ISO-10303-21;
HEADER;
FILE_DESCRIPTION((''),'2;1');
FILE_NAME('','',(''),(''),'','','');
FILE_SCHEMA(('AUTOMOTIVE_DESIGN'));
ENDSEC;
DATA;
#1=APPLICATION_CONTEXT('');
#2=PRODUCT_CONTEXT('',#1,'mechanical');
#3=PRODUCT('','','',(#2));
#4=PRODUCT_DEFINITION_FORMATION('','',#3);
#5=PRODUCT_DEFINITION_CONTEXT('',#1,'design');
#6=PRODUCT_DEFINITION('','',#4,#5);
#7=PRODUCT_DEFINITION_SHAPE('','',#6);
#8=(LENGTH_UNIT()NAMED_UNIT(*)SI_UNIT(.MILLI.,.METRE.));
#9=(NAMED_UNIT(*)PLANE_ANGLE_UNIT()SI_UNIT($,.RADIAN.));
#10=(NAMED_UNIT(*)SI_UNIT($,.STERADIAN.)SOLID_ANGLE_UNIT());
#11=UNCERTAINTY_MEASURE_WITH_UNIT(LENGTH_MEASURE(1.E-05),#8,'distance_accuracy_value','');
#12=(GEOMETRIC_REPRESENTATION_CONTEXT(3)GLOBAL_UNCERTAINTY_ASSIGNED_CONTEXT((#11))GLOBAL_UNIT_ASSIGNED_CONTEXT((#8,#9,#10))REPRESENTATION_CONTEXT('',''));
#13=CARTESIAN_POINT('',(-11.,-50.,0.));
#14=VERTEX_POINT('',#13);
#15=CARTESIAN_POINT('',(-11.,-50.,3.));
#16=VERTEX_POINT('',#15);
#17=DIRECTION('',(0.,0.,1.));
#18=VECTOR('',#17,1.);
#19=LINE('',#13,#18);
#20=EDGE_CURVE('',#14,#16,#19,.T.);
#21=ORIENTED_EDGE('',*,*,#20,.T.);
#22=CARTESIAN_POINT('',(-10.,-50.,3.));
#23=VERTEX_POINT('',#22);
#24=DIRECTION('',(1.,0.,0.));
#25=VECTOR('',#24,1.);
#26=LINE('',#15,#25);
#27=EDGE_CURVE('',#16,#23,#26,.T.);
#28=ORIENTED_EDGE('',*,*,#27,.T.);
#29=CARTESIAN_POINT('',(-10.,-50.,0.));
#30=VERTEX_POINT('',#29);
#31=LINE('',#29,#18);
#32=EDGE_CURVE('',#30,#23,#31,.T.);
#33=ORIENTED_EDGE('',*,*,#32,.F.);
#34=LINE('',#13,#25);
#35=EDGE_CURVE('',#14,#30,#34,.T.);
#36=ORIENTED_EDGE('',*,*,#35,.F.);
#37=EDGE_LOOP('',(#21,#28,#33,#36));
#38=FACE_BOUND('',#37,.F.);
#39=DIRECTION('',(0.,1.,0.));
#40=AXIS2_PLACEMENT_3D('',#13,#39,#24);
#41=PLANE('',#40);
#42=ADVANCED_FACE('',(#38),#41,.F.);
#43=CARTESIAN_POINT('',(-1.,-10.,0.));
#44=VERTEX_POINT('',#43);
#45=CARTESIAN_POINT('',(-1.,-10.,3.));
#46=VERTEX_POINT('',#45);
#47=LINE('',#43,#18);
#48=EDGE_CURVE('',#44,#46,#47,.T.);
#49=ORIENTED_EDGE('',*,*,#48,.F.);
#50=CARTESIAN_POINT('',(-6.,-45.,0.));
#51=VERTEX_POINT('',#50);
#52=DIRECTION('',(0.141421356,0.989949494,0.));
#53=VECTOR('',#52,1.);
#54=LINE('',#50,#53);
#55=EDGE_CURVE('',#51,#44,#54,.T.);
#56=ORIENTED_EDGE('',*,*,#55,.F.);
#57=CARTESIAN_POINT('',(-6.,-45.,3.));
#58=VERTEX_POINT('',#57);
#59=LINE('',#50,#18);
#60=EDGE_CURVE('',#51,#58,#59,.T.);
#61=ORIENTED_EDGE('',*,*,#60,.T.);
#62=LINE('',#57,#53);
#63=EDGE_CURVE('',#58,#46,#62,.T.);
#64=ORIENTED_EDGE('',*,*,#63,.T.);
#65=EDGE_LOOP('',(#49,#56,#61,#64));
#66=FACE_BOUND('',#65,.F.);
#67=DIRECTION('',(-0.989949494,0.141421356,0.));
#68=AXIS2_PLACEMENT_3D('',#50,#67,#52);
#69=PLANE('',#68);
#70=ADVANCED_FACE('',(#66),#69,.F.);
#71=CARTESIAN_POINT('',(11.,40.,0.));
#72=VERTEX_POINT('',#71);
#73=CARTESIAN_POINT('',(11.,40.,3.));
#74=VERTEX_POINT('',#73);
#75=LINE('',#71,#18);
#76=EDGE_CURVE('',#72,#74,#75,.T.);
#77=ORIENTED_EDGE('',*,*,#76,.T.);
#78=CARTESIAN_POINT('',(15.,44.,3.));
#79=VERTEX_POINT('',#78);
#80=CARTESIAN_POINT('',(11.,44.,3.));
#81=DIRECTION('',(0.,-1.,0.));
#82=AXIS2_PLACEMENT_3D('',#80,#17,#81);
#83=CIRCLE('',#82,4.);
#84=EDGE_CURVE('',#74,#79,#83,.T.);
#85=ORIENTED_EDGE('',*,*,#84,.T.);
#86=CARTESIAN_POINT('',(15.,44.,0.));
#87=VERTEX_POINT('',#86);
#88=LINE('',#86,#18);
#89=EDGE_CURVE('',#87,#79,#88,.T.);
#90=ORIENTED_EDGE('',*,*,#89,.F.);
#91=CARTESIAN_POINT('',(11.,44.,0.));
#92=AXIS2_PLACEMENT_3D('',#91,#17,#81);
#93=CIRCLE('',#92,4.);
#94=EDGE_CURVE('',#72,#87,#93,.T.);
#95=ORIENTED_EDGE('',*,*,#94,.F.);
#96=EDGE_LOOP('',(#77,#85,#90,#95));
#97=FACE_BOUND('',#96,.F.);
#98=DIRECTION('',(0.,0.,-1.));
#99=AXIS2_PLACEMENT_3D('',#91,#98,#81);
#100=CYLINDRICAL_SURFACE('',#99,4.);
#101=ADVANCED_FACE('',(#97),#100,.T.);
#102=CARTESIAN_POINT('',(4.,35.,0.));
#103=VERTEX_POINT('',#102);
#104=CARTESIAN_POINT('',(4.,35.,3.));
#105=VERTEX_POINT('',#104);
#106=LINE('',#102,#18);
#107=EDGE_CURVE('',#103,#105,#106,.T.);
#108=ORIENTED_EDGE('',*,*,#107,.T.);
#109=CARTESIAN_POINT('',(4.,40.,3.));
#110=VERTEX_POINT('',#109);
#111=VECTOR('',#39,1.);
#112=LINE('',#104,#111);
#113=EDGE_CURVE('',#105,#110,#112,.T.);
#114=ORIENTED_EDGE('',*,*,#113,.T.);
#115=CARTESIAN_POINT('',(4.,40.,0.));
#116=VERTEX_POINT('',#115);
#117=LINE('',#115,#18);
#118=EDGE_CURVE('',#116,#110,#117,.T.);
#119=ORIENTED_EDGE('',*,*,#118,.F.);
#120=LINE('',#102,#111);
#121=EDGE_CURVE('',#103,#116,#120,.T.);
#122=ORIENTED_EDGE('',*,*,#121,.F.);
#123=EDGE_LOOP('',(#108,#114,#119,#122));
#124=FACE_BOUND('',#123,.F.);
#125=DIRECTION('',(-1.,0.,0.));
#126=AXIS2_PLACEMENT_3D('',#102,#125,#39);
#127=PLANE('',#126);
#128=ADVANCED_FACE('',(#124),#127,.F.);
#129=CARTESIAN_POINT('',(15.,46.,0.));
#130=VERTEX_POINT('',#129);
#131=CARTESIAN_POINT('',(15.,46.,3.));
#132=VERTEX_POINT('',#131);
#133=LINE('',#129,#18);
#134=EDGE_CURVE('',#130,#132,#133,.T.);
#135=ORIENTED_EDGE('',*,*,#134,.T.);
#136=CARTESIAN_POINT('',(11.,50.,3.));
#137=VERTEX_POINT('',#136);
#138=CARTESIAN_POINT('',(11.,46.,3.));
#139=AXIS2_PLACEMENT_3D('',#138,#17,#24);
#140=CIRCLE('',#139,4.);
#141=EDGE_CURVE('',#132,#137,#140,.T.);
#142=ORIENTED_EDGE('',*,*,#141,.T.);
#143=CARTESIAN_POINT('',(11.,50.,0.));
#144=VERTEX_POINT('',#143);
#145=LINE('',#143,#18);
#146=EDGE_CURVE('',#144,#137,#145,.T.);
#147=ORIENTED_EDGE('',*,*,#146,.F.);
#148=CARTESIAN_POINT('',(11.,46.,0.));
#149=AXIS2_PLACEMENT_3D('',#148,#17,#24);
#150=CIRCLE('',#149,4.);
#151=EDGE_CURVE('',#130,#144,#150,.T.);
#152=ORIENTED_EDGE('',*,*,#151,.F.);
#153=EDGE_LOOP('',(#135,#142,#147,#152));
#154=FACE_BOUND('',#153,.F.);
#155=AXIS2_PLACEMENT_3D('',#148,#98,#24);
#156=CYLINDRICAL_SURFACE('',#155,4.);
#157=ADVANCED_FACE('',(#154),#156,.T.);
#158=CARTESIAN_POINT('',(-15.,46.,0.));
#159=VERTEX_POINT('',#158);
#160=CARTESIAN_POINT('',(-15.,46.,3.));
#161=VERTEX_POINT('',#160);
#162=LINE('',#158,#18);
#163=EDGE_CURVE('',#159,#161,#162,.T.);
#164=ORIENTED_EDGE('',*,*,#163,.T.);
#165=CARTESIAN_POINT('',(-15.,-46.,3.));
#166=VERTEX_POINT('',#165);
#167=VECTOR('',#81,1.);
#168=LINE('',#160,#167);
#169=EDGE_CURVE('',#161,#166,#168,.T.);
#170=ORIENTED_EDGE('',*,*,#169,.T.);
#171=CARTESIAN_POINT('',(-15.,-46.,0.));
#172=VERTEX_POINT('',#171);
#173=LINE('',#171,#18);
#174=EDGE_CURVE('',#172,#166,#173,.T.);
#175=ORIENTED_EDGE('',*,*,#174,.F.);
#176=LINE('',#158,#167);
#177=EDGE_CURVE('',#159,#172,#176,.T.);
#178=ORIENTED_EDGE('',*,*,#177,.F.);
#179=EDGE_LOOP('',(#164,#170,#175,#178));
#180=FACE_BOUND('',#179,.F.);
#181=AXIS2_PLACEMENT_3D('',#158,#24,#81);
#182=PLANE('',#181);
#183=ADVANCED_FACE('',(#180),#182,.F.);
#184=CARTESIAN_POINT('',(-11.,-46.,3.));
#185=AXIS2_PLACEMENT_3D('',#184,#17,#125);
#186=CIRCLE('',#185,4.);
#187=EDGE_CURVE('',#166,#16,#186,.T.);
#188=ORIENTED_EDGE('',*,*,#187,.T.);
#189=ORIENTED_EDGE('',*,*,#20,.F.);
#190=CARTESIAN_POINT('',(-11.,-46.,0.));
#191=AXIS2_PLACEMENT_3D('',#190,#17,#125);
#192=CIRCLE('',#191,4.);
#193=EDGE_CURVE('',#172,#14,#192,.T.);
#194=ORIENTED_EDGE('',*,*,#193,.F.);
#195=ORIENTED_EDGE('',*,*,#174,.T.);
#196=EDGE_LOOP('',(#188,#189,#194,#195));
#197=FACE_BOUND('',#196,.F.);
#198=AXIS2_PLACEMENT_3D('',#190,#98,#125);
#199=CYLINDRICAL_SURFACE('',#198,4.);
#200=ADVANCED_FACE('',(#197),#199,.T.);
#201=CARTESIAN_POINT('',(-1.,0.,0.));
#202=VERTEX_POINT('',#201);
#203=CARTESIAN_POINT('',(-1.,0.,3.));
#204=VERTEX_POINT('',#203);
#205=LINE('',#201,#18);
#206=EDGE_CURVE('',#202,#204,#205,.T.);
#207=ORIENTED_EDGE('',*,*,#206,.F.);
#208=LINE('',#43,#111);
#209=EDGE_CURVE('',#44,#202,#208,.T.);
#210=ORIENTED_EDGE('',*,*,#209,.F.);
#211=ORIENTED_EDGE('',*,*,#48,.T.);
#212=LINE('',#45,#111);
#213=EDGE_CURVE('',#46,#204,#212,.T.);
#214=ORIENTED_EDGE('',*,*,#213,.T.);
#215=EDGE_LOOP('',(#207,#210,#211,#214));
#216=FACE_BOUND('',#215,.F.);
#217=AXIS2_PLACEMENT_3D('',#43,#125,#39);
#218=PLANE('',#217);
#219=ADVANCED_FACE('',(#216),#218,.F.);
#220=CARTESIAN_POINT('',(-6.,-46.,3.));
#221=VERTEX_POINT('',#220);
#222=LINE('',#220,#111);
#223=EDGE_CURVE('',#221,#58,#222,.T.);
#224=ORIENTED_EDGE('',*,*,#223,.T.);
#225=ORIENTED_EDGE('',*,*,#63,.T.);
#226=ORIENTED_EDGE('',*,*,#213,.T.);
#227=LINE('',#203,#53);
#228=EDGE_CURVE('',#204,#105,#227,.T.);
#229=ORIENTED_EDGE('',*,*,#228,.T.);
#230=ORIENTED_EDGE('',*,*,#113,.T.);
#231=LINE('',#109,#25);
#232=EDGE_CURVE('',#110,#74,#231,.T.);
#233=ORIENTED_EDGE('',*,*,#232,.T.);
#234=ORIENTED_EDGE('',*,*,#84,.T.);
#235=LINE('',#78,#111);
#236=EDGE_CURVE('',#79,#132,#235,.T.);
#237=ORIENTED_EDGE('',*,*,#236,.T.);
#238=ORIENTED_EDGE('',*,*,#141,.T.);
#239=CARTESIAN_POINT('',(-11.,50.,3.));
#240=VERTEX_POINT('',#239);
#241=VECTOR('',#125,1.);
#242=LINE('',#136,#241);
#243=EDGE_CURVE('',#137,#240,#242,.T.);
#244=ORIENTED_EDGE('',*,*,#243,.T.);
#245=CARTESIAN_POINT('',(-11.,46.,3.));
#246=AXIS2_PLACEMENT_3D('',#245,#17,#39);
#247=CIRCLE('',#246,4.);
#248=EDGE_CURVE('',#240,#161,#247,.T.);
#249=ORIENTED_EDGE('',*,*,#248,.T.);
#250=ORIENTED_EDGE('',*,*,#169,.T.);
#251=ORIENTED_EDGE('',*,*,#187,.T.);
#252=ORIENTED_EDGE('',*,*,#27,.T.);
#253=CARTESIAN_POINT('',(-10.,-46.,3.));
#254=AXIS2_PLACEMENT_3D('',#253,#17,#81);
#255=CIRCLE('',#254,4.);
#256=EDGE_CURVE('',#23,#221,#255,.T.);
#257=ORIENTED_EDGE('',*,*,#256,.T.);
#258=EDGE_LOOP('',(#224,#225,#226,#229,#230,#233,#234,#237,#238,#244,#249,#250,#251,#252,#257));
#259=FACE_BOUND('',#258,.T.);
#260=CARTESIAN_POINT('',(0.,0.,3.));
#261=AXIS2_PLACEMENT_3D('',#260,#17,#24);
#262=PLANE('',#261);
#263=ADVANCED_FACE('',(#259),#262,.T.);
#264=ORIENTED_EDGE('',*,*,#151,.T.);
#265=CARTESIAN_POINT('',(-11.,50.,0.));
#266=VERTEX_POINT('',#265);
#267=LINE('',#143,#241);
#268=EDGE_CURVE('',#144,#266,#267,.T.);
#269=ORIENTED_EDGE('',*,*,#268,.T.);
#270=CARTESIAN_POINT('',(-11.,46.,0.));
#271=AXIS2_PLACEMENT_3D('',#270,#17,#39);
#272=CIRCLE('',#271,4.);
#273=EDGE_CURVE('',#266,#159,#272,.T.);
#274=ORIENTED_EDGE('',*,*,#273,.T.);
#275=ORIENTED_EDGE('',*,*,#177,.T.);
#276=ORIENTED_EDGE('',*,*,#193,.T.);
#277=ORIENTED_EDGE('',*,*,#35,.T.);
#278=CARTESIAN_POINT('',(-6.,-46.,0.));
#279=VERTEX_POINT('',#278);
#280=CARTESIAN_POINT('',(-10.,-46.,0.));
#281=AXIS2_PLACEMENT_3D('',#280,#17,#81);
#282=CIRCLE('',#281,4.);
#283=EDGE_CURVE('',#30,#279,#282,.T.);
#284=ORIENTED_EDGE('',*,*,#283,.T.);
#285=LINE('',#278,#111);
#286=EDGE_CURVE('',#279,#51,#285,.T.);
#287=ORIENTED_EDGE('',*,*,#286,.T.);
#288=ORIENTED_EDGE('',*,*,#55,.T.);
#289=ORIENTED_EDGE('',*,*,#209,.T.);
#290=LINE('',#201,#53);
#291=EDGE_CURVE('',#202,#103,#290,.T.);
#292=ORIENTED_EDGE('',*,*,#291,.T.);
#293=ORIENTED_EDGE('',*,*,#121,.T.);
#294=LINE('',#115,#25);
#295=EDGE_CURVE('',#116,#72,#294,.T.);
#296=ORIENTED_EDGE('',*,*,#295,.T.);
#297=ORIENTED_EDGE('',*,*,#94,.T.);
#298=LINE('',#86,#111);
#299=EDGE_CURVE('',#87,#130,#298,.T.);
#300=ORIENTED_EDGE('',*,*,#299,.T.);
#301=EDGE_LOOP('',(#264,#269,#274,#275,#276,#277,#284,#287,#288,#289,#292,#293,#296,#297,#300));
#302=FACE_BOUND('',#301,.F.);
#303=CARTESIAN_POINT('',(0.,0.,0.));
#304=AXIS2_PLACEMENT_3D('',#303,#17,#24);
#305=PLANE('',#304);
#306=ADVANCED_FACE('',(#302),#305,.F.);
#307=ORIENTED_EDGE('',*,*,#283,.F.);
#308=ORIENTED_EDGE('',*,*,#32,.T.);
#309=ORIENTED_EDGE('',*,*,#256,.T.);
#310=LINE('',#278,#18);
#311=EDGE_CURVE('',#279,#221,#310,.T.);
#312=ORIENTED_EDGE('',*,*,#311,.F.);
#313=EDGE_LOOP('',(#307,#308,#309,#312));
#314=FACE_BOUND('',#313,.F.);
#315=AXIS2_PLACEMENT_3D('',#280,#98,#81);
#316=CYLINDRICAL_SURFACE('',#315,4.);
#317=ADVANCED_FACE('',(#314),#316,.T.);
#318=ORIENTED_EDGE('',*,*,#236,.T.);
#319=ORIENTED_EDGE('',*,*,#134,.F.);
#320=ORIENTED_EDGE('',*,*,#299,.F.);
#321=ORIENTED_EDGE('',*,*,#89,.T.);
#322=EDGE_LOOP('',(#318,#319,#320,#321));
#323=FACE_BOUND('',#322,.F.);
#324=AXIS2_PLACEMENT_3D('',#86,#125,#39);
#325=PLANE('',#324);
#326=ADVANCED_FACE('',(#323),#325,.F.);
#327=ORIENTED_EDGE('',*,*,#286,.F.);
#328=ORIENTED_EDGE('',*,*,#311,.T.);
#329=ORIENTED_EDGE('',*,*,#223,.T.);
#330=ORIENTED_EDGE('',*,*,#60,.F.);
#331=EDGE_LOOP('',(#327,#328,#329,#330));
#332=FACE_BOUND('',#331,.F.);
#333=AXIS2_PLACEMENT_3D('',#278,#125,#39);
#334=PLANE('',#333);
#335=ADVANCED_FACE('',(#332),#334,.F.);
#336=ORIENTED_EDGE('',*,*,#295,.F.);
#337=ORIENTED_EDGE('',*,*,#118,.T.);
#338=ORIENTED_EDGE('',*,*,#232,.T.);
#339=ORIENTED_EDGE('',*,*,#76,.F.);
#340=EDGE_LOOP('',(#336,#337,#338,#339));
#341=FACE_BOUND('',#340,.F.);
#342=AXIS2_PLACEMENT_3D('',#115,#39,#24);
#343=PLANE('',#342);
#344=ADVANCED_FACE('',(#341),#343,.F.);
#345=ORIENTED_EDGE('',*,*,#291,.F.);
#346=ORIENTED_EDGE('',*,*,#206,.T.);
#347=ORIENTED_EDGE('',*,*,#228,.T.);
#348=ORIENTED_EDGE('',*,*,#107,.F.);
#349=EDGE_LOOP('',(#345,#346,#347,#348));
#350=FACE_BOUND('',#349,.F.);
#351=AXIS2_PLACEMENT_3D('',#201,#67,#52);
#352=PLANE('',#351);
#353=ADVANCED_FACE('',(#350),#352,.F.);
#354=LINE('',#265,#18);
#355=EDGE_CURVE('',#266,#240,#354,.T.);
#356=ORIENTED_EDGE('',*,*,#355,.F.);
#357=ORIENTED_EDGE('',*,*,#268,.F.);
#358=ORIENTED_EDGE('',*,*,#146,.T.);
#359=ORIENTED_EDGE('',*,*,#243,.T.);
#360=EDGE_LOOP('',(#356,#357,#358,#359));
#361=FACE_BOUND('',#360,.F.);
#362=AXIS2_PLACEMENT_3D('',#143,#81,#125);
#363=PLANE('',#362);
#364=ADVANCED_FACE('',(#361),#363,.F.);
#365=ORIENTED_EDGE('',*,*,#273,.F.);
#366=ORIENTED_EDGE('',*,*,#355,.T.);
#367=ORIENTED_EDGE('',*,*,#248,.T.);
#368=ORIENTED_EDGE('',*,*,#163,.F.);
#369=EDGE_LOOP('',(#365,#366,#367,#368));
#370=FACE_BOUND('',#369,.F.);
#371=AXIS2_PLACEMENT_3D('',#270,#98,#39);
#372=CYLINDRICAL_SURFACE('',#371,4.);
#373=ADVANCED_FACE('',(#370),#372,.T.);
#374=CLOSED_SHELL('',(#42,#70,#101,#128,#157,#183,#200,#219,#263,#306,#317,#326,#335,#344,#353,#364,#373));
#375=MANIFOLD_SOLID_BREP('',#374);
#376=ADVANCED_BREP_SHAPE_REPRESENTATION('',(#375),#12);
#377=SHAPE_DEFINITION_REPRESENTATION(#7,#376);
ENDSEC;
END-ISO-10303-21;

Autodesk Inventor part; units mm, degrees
ref_plane "YZ Plane" through (0, 0, 0) normal (1, 0, 0) x (0, 1, 0)
ref_plane "XZ Plane" through (0, 0, 0) normal (0, 1, 0) x (-1, 0, 0)
ref_plane "XY Plane" through (0, 0, 0) normal (0, 0, 1) x (1, 0, 0)
sketch "Sketch1" plane through (0, 0, 0) normal (0, 0, 1) x (1, 0, 0)
  line L0 (11, 50) -> (-11, 50)
  line L1 (-15, 46) -> (-15, -46)
  line L2 (-11, -50) -> (-10, -50)
  line L3 (-6, -46) -> (-6, -45)
  line L4 (-6, -45) -> (-1, -10)
  line L5 (-1, -10) -> (-1, 0)
  line L6 (-1, 0) -> (4, 35)
  line L7 (4, 35) -> (4, 40)
  arc A0 (-10, -50) -> (-6, -46) centre (-10, -46) ccw
  arc A1 (-15, -46) -> (-11, -50) centre (-11, -46) ccw
  arc A2 (-11, 50) -> (-15, 46) centre (-11, 46) ccw
  line L8 (4, 40) -> (11, 40)
  line L9 (15, 44) -> (15, 46)
  arc A3 (15, 46) -> (11, 50) centre (11, 46) ccw
  arc A4 (11, 40) -> (15, 44) centre (11, 44) ccw
  point P0 (0, 0)
  point P1 (-15, 50)
  point P2 (-15, -50)
  point P3 (-6, -50)
  point P4 (-15, 0)
  point P5 (0, 50)
  dimension "d0" = 19
  dimension "d1" = 14
  dimension "d2" = 100
  dimension "d3" = 9
  dimension "d4" = 4
  dimension "d5" = 4
  dimension "d6" = 30
  dimension "d7" = 45
  dimension "d9" = 10
  dimension "d10" = 5
extrude "Extrusion1" add sketch "Sketch1" along normal blind 3
properties part number "Pin" material "Polycarbonate, Clear"
